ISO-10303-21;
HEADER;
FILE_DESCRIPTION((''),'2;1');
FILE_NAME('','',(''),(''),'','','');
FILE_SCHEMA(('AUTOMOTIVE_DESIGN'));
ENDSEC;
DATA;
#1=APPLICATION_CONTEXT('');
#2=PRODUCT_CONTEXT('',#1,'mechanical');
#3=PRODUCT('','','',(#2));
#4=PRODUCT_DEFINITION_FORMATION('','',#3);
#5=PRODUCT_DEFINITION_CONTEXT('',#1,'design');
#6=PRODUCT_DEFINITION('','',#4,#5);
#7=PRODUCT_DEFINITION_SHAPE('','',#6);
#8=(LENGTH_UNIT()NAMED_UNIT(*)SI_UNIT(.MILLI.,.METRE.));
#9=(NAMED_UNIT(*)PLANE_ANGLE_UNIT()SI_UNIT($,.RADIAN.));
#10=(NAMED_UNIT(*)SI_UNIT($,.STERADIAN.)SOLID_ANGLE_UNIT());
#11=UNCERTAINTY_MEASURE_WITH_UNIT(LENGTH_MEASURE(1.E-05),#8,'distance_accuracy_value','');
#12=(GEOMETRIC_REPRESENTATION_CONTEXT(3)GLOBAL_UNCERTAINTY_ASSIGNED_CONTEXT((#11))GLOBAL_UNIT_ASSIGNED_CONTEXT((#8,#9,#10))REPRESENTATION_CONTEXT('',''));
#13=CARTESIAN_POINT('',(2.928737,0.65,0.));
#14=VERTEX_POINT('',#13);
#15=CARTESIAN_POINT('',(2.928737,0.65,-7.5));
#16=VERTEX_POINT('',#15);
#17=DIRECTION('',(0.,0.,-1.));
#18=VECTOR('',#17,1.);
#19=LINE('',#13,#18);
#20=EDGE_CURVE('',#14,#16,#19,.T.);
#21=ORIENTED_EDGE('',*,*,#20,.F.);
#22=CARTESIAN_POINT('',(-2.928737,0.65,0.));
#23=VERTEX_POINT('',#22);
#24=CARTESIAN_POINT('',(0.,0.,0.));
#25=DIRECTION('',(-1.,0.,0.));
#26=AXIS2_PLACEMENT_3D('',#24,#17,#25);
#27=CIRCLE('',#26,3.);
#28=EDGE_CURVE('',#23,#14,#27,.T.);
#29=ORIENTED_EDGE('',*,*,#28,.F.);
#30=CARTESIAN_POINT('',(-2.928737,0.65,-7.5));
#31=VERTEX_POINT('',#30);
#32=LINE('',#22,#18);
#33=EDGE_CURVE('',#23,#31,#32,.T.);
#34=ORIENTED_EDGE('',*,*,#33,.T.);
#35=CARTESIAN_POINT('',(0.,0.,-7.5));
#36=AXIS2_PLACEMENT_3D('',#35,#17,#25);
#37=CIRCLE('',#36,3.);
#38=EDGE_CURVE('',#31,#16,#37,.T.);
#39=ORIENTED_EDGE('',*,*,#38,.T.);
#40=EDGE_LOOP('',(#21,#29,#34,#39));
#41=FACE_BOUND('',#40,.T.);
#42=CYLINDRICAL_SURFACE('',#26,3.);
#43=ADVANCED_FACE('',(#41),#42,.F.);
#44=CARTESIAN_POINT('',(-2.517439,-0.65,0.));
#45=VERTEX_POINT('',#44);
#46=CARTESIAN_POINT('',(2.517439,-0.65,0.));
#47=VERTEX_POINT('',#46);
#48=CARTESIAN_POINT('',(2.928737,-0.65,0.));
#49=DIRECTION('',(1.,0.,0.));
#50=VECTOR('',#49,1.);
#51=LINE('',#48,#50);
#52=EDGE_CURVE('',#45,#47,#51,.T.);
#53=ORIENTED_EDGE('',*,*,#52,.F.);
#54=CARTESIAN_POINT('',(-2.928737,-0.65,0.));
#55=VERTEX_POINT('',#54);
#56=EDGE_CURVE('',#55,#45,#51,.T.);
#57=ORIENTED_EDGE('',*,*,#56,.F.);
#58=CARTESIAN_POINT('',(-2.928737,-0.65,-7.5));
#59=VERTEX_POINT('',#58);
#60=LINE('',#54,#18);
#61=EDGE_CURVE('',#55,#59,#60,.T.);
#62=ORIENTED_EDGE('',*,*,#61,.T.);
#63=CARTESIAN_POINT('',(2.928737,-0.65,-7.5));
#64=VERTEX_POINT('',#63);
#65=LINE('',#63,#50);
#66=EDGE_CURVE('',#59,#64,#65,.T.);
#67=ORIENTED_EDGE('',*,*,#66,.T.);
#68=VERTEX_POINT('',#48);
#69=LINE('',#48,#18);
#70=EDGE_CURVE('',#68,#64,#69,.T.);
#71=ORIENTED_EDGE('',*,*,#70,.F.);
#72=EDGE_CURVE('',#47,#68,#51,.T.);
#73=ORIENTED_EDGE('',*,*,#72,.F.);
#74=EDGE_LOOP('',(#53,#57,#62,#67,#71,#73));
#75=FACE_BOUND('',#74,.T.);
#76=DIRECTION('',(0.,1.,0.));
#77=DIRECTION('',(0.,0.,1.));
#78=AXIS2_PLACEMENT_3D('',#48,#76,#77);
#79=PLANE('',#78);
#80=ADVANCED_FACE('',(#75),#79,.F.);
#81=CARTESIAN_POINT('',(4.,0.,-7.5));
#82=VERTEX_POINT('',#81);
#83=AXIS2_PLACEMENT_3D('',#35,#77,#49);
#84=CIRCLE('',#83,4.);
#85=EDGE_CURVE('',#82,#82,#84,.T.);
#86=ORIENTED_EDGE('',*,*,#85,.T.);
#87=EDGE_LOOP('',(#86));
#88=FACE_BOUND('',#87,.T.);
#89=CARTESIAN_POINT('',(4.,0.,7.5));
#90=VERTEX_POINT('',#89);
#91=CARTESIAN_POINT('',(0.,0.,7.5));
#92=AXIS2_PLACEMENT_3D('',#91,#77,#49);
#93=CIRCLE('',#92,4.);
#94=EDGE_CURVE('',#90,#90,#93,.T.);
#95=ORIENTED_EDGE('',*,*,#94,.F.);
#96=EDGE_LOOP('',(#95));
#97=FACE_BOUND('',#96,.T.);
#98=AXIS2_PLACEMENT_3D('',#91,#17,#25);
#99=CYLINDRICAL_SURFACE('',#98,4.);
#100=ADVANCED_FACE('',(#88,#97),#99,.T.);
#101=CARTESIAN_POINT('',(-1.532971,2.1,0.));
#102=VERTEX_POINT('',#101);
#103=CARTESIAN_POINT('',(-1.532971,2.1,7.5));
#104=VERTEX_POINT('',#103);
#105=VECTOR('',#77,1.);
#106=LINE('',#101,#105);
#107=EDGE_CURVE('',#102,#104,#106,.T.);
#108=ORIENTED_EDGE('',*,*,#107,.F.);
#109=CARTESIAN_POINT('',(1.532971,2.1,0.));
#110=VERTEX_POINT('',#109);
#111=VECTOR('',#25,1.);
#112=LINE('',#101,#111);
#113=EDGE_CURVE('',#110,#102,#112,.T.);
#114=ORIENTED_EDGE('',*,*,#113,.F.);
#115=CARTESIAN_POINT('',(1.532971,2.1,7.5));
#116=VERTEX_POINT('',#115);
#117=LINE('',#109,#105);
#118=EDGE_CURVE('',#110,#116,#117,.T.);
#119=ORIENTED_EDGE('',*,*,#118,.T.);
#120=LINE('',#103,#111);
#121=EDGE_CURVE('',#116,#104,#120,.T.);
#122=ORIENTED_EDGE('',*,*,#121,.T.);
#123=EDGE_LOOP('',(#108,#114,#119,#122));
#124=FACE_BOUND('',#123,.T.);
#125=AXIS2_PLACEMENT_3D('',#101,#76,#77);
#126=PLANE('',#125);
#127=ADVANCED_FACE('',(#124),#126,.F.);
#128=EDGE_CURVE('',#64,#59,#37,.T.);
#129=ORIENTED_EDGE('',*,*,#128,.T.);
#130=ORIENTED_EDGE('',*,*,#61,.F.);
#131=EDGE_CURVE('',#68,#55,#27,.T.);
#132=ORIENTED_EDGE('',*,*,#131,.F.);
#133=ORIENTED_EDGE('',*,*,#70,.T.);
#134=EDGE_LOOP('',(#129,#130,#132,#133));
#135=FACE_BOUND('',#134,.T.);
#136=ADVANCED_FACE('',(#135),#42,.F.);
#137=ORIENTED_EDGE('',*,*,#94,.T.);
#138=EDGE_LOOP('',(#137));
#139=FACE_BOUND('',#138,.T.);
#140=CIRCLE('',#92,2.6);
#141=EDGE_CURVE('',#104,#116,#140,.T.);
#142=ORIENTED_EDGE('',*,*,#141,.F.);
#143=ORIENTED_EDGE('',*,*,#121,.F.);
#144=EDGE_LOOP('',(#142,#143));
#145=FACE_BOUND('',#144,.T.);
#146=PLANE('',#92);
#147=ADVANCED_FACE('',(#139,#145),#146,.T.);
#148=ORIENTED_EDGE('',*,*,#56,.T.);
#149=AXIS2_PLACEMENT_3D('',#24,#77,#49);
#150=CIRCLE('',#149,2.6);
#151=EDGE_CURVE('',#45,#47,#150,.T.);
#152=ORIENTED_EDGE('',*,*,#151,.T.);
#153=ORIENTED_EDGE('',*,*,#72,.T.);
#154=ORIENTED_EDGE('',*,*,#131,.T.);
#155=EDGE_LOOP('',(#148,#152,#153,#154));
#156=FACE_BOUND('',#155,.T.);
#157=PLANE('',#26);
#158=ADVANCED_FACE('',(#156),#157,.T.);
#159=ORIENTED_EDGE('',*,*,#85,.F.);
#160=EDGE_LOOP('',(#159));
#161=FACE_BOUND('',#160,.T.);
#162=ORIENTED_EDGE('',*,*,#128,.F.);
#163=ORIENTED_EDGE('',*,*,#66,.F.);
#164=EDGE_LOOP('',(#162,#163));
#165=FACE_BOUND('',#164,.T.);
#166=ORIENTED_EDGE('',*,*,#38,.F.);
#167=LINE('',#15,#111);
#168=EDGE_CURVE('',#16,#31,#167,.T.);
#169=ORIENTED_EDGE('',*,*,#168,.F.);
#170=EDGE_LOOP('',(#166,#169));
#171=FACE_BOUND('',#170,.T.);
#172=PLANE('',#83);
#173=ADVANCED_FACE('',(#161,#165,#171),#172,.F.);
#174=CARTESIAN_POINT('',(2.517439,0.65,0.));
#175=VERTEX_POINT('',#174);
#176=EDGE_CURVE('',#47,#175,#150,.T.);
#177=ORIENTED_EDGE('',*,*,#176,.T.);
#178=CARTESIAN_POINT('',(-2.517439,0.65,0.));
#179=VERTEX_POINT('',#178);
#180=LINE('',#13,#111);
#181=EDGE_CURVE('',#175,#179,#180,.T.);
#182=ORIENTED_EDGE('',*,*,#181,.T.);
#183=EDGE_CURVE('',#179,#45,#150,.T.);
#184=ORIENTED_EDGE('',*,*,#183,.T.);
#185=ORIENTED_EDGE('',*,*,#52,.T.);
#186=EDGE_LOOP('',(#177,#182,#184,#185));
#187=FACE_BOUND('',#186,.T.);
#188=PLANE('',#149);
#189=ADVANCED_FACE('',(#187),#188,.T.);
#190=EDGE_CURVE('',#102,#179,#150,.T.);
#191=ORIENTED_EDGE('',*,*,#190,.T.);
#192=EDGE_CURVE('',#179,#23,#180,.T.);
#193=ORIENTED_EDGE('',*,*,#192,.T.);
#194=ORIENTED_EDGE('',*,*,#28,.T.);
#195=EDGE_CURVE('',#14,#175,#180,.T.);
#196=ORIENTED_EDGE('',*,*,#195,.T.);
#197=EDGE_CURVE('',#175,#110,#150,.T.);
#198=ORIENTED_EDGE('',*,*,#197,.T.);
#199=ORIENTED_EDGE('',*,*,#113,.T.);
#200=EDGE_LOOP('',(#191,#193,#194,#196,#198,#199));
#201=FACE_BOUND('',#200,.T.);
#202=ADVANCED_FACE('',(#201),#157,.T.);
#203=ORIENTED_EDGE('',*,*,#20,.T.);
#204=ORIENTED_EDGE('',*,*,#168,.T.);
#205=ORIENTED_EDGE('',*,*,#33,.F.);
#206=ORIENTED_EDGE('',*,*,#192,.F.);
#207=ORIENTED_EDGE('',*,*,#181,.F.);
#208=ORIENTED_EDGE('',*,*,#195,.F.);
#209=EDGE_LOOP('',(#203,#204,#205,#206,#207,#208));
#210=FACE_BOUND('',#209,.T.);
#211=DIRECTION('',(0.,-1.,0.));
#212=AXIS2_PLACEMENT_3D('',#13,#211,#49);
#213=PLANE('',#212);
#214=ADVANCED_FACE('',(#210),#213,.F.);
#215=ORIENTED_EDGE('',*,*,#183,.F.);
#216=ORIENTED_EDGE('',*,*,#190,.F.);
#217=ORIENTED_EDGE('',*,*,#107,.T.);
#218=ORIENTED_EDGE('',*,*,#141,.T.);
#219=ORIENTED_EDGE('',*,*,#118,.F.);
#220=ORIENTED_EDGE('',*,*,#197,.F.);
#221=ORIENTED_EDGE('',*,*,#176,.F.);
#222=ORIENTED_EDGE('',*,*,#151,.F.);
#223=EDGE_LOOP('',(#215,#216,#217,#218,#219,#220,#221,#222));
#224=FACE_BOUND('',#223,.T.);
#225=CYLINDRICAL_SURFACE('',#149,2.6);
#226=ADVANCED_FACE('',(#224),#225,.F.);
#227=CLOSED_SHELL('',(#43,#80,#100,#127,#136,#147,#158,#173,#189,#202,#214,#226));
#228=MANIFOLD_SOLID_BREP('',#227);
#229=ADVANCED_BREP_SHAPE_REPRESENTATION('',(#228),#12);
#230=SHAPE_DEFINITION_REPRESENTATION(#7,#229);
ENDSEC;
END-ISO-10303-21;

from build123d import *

# Parameters (mm, degrees)
CROQUIS1_R              = 4
SALIENTE_EXTRUIR1_DEPTH = 7.5
CORTAR_EXTRUIR1_DEPTH   = 7.5
CORTAR_EXTRUIR2_DEPTH   = 7.5


with BuildPart() as part:
    # Croquis1 → Saliente-Extruir1 (new body, symmetric)
    with BuildSketch(Plane.XY):
        Circle(CROQUIS1_R)
    extrude(amount=SALIENTE_EXTRUIR1_DEPTH, both=True)

    # Croquis2 → Cortar-Extruir1 (cut)
    with BuildSketch(Plane.XY.offset(7.5)):
        with BuildLine():
            Line((-1.532970972, 2.1), (1.532970972, 2.1))
            ThreePointArc((1.532970972, 2.1), (0, -2.6), (-1.532970972, 2.1))
        make_face()
    extrude(amount=-CORTAR_EXTRUIR1_DEPTH, mode=Mode.SUBTRACT)

    # Croquis3 → Cortar-Extruir2 (cut)
    with BuildSketch(Plane(origin=(0, 0, -7.5), x_dir=(-1, 0, 0), z_dir=(0, 0, -1))):
        with BuildLine():
            Line((-2.928736929, 0.65), (2.928736929, 0.65))
            ThreePointArc((2.928736929, 0.65), (0, 3), (-2.928736929, 0.65))
        make_face()
        with BuildLine():
            Line((-2.928736929, -0.65), (2.928736929, -0.65))
            ThreePointArc((2.928736929, -0.65), (0, -3), (-2.928736929, -0.65))
        make_face()
    extrude(amount=-CORTAR_EXTRUIR2_DEPTH, mode=Mode.SUBTRACT)


solid = part.part
